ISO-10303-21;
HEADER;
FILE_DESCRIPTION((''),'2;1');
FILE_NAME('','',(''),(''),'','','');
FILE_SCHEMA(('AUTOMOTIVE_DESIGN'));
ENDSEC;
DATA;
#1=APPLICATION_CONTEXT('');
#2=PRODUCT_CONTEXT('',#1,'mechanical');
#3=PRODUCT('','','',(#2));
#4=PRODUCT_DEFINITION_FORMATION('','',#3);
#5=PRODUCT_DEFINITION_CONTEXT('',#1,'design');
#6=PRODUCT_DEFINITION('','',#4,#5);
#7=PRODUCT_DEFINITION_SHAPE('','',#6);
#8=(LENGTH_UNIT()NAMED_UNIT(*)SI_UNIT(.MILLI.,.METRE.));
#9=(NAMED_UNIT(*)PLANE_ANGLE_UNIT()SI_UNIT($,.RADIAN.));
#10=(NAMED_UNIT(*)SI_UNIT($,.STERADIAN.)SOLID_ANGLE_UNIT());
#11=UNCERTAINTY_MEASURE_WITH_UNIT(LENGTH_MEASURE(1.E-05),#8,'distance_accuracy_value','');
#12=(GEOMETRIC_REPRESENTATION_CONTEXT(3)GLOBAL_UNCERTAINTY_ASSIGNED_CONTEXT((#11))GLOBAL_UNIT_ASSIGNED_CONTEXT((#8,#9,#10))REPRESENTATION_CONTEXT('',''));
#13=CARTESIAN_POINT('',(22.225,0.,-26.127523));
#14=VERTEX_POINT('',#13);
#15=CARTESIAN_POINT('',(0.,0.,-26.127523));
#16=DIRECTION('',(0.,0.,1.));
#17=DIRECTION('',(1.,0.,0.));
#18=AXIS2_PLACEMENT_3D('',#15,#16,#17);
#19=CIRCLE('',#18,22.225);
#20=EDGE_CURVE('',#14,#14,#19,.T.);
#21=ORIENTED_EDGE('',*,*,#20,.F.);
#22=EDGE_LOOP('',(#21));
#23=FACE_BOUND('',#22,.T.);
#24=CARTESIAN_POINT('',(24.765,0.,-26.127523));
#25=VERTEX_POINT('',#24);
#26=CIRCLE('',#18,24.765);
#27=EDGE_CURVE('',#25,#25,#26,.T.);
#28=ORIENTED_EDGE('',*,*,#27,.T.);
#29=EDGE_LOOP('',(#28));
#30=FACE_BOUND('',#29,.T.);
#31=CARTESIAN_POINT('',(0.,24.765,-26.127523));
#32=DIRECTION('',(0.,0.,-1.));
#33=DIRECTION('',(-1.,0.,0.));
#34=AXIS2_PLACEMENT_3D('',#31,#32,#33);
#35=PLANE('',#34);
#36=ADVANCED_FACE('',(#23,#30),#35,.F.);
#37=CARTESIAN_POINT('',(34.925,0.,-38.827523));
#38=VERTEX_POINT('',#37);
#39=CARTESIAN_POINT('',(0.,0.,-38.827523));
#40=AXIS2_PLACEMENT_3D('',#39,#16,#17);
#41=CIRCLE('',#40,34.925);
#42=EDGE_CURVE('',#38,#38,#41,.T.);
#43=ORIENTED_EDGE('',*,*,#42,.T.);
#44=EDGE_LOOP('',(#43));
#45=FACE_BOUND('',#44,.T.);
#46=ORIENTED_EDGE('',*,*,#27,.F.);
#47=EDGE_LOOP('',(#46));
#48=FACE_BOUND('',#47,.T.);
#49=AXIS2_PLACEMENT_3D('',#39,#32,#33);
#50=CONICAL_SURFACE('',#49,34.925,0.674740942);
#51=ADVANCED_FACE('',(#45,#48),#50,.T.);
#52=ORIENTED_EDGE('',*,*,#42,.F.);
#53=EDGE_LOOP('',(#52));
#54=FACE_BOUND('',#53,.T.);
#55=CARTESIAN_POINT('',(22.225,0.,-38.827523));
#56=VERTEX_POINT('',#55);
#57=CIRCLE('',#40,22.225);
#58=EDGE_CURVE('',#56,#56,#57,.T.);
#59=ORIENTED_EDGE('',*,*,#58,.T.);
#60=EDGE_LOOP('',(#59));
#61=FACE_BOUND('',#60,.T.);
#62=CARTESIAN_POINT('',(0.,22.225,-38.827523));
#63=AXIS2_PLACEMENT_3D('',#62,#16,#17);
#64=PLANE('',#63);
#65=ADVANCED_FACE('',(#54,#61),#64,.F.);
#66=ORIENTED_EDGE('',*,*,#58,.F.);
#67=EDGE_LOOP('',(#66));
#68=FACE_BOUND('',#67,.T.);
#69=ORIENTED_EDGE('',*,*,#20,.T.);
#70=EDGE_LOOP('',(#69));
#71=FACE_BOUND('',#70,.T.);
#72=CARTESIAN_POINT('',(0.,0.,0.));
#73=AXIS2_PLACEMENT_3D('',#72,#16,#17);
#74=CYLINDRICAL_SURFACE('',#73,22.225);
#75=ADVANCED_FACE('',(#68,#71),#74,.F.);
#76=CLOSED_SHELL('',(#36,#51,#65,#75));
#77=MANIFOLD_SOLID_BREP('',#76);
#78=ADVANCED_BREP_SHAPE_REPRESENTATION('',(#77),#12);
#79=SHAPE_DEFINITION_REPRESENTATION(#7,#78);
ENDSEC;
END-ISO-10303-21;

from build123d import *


with BuildPart() as part:
    # Sketch1 → Revolve1 (revolve)
    with BuildSketch(Plane(origin=(0, 0, 0), x_dir=(0, 0, -1), z_dir=(1, 0, 0)), mode=Mode.PRIVATE) as revolve1_sk:
        Polygon((26.12752284, 22.225), (38.82752284, 22.225), (38.82752284, 34.925), (26.12752284, 24.765), align=None)
    revolve(revolve1_sk.sketch.rotate(Axis((0, 0, 0), (0, 0, -1)), 90), axis=Axis((0, 0, 0), (0, 0, -1)))


solid = part.part
